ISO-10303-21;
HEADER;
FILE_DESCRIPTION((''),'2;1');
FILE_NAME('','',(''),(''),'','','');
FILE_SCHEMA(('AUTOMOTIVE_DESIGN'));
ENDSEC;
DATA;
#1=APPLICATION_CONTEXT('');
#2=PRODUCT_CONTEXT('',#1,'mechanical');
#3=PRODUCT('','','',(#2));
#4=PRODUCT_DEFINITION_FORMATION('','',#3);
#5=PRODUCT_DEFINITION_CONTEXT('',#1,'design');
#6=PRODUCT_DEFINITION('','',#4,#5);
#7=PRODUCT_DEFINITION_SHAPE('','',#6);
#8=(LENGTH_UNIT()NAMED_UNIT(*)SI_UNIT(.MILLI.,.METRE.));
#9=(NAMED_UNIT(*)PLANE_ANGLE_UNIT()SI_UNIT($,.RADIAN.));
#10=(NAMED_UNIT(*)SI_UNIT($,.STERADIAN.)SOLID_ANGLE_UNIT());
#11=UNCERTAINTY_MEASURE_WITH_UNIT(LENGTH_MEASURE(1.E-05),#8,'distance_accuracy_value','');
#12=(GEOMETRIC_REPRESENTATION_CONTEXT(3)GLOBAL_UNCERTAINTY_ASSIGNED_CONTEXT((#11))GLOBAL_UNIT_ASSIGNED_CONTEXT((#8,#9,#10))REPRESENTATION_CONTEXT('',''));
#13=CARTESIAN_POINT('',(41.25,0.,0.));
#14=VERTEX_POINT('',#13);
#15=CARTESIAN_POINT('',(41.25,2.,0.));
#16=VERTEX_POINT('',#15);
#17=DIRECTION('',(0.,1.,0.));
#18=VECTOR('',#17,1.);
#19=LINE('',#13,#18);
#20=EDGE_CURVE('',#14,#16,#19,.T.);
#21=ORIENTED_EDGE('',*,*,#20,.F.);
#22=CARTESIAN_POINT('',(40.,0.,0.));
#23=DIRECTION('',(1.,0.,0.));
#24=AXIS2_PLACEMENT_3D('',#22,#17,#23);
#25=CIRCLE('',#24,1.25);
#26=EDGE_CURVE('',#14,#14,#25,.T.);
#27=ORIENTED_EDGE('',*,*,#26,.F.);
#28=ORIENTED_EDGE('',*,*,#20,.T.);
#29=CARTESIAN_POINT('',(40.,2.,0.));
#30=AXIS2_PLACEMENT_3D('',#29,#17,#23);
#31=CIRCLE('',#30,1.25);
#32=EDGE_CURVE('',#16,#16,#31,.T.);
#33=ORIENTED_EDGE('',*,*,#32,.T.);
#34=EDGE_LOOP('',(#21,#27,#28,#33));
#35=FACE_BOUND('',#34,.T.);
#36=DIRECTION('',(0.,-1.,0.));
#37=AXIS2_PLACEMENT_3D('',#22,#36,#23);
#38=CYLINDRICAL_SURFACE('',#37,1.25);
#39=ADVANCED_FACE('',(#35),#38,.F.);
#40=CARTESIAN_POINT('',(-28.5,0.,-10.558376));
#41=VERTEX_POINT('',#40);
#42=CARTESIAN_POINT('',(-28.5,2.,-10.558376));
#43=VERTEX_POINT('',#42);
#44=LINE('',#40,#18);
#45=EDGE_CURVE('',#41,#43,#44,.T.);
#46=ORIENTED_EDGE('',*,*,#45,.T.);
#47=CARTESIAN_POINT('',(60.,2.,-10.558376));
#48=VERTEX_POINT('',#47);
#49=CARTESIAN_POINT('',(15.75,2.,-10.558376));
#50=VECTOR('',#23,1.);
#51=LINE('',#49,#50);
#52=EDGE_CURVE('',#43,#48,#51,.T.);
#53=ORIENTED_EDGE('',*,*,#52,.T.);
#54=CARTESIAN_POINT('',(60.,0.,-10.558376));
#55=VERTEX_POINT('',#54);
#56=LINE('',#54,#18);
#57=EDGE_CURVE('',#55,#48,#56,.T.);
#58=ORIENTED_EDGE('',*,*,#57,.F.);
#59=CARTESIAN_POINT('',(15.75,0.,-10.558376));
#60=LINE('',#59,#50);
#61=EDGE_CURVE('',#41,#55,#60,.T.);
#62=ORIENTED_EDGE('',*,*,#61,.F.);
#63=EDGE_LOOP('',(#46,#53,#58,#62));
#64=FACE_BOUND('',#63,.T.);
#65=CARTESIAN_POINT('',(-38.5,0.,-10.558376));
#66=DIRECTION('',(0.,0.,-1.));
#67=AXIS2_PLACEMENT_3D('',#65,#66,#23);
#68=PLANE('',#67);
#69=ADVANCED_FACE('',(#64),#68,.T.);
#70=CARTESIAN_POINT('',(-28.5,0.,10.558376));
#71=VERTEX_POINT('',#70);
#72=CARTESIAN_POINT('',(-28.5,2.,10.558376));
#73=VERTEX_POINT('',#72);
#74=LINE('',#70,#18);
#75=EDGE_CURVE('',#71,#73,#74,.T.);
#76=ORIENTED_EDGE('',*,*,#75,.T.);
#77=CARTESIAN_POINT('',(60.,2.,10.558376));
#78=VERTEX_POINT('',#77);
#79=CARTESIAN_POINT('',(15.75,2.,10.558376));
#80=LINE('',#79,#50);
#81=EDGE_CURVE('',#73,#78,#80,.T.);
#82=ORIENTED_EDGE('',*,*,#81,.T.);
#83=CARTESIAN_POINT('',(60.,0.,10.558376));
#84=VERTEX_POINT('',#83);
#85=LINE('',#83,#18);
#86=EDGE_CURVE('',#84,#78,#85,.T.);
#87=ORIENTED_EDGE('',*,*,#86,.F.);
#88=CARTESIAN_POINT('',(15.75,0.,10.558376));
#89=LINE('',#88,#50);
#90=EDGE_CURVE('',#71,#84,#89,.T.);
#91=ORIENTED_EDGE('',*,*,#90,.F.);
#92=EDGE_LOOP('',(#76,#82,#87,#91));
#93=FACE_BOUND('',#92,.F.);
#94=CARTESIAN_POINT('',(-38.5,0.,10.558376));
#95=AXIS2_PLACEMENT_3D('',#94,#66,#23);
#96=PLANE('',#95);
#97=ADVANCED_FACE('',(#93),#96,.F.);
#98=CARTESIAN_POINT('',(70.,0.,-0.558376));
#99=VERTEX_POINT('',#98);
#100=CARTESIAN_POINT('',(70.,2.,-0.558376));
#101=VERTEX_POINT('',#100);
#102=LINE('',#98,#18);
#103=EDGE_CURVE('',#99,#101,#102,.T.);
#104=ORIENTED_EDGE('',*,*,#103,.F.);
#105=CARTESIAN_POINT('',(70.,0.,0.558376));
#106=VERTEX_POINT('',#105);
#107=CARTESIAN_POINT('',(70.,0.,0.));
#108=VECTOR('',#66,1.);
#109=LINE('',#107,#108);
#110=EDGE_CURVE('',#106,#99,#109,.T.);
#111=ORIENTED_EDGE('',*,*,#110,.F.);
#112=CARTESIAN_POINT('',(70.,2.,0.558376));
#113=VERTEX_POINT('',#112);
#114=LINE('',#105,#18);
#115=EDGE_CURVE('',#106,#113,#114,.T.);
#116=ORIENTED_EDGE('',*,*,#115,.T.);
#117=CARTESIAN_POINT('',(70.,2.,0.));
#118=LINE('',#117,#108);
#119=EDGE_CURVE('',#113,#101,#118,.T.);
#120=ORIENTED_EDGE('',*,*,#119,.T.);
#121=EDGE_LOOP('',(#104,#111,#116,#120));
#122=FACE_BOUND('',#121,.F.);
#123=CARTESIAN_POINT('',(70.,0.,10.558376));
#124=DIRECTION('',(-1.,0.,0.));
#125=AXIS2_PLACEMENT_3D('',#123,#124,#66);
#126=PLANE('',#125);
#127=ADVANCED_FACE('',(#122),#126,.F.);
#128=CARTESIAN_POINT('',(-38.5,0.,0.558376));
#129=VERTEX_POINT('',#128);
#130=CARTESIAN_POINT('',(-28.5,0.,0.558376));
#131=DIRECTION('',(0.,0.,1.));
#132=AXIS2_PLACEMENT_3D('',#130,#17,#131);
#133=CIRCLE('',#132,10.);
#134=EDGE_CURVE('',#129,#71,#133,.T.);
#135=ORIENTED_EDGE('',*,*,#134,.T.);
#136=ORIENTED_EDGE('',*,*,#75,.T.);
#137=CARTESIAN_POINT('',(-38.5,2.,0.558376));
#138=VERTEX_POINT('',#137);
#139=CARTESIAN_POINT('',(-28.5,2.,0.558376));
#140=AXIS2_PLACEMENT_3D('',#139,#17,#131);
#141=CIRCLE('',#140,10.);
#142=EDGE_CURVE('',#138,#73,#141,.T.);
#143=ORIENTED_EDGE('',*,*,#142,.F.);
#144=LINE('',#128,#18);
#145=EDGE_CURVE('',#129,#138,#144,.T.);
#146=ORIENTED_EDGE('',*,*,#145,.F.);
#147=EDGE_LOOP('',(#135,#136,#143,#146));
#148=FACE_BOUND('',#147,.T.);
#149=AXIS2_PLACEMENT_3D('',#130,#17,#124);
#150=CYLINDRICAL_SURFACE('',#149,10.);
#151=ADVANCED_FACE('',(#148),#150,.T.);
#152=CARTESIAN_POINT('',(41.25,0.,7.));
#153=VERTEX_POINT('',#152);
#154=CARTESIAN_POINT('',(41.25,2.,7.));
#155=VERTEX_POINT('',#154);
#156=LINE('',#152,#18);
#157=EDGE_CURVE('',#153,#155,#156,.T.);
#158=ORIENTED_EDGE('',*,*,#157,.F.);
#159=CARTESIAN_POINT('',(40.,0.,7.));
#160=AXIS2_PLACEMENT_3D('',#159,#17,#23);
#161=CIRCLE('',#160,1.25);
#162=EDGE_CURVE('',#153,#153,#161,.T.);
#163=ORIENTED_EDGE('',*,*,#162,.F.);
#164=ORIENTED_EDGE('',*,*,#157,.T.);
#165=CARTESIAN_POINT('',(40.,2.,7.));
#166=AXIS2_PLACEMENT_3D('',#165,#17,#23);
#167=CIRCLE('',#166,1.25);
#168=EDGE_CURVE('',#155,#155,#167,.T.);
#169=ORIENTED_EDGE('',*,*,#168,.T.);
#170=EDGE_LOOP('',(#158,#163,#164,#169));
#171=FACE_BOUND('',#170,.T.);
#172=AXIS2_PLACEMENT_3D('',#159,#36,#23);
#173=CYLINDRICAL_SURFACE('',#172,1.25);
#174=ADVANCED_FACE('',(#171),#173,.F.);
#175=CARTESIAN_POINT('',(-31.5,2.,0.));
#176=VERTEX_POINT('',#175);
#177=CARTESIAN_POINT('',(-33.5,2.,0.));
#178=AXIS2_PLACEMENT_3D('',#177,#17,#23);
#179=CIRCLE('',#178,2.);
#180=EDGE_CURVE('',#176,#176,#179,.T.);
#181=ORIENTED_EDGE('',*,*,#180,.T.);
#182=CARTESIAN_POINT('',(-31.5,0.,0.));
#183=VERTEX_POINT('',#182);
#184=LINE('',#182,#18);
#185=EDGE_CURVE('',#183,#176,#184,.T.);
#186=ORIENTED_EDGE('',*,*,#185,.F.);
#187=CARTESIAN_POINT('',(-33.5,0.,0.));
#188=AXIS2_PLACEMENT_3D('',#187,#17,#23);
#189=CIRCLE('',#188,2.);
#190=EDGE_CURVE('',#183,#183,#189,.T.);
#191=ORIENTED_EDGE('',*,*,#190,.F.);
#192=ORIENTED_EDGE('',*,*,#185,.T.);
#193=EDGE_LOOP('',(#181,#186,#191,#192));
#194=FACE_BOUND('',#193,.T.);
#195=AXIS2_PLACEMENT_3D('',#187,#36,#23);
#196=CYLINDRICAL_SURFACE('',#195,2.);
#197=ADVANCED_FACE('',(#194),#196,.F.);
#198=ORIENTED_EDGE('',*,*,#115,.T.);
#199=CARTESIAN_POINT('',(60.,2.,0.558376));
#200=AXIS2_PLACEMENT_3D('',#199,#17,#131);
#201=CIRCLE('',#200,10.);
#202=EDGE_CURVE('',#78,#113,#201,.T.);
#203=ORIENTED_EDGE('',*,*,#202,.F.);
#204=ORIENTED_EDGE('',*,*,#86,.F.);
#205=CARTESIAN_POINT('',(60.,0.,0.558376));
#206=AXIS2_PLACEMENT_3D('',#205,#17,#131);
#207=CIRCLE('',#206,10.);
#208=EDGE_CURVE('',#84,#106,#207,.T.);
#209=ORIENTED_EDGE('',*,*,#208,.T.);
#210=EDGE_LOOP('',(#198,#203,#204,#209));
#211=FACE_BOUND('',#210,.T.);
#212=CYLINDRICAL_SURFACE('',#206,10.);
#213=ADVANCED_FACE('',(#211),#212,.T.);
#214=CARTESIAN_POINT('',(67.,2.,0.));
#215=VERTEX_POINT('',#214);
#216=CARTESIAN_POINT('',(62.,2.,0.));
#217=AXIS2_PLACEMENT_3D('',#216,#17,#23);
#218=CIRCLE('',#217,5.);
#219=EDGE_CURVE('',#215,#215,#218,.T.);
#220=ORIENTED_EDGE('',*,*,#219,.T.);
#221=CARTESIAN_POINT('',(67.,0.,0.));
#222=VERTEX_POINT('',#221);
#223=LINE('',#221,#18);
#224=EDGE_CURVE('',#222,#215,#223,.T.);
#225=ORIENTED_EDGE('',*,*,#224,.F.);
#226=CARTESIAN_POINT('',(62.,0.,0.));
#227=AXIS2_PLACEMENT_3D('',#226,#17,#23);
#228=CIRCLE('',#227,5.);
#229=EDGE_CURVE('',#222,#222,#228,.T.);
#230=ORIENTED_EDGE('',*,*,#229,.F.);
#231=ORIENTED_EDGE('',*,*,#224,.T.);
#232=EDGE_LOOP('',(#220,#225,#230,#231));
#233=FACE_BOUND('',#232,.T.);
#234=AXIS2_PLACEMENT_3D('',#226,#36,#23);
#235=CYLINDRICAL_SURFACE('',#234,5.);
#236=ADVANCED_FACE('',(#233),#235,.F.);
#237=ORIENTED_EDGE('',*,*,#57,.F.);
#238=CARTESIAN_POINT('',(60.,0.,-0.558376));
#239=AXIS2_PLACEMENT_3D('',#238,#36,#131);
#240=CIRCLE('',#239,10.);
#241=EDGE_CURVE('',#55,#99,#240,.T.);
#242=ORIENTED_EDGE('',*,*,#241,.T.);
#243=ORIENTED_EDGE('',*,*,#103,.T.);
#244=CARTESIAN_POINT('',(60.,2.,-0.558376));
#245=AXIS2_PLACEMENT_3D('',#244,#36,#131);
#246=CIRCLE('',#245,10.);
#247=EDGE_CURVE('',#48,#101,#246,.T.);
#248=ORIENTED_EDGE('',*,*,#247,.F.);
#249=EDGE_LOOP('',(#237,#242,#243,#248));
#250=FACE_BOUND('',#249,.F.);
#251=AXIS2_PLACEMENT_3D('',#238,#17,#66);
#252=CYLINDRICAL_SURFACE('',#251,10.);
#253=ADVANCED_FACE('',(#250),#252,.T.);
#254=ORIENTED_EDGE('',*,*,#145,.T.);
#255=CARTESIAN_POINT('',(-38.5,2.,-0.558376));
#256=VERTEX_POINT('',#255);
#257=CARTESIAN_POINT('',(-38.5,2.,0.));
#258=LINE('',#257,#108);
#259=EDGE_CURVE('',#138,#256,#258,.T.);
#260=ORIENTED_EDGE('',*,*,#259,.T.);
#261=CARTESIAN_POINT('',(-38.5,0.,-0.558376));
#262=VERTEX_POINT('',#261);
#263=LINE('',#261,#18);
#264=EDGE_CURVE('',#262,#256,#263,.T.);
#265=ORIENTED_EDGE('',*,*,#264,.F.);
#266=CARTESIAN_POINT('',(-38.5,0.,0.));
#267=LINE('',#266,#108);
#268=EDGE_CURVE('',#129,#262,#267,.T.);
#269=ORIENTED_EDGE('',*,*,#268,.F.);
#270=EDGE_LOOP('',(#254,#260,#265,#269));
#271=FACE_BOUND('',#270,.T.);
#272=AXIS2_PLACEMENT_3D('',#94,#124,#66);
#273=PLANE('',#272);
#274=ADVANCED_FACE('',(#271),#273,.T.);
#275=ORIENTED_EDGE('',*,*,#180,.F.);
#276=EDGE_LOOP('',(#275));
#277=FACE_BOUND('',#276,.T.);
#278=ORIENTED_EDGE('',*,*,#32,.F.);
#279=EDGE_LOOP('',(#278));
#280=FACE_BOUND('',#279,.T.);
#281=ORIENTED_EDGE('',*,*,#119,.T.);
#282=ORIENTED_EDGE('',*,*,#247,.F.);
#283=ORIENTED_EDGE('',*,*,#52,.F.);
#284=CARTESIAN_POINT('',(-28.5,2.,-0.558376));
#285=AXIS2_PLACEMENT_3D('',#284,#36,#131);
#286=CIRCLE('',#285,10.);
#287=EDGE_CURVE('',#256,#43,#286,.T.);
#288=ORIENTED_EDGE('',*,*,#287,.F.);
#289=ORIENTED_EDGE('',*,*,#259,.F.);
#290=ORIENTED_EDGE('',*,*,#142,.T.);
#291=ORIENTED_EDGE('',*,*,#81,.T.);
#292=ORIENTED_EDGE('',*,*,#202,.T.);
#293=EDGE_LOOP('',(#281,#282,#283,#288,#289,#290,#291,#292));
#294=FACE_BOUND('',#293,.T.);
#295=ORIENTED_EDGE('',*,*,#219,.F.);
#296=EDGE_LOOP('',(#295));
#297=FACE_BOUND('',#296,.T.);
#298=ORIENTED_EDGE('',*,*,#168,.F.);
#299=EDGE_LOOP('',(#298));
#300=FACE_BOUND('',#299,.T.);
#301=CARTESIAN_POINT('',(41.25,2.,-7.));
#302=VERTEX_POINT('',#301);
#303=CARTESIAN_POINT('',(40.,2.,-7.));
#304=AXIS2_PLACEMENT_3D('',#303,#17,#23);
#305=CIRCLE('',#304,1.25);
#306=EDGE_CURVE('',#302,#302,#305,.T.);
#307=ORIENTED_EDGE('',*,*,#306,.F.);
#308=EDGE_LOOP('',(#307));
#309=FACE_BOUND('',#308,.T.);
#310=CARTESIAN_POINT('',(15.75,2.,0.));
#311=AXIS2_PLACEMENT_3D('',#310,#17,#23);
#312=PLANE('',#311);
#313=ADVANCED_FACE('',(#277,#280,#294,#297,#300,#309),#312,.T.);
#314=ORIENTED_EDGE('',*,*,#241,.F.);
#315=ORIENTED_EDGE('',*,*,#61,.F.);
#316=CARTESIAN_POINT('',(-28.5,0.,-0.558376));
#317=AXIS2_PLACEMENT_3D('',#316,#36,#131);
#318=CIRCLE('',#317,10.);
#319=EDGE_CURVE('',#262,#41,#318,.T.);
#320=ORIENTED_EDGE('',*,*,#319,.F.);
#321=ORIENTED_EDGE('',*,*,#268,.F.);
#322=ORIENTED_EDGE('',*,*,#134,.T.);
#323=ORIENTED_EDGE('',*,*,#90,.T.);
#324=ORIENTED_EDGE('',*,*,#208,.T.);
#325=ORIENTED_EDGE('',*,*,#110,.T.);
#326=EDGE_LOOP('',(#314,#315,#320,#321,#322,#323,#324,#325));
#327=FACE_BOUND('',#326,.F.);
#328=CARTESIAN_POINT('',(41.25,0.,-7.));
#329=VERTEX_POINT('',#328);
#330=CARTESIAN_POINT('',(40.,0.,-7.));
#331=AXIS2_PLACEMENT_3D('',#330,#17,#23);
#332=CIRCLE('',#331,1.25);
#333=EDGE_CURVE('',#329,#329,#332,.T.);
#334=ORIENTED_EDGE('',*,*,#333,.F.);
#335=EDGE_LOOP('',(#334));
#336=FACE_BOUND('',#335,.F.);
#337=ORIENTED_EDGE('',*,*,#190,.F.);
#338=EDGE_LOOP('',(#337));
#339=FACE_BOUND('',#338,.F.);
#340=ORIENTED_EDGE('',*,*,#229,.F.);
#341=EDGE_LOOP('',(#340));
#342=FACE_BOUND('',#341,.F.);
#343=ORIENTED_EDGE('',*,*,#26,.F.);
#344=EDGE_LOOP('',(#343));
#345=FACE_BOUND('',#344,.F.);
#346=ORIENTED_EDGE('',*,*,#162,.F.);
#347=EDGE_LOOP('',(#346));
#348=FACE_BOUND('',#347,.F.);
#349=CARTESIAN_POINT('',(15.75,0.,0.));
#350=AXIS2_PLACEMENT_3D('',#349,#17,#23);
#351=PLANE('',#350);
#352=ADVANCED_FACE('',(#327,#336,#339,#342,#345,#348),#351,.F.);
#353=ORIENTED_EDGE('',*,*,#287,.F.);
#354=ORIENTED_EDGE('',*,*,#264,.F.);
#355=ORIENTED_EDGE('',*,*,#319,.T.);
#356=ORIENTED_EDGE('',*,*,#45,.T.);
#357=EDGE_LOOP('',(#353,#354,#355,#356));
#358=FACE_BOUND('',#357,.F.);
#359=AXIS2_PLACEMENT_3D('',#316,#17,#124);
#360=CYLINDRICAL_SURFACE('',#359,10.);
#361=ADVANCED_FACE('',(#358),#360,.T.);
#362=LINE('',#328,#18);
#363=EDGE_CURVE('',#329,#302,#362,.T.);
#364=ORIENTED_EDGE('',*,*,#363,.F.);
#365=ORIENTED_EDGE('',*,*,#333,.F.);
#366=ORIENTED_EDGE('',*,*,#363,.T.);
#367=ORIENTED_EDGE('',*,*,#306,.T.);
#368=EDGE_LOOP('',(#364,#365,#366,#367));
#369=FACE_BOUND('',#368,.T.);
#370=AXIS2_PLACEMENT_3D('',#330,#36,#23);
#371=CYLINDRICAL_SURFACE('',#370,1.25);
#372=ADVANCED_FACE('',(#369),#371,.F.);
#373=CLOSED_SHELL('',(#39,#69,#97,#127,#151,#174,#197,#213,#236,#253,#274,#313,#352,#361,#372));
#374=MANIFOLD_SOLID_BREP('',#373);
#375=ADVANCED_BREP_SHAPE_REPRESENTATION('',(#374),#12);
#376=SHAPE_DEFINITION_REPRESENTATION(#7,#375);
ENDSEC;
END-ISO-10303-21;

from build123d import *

# Parameters (mm, degrees)
SKETCH1_W           = 108.5
SKETCH1_H           = 21.11675127
SKETCH1_R           = 5
SKETCH1_R_2         = 2
SKETCH1_R_3         = 1.25
BOSS_EXTRUDE1_DEPTH = 2
FILLET1_R           = 10


with BuildPart() as part:
    # Sketch1 → Boss-Extrude1 (new body)
    with BuildSketch(Plane(origin=(0, 0, 0), x_dir=(1, 0, 0), z_dir=(0, 1, 0))):
        with Locations((15.75, 0)):
            Rectangle(SKETCH1_W, SKETCH1_H)
        with Locations((62, 0)):
            Circle(SKETCH1_R, mode=Mode.SUBTRACT)
        with Locations((-33.5, 0)):
            Circle(SKETCH1_R_2, mode=Mode.SUBTRACT)
        with Locations((40, 0)):
            Circle(SKETCH1_R_3, mode=Mode.SUBTRACT)
        with Locations((40, 7)):
            Circle(SKETCH1_R_3, mode=Mode.SUBTRACT)
        with Locations((40, -7)):
            Circle(SKETCH1_R_3, mode=Mode.SUBTRACT)
    extrude(amount=BOSS_EXTRUDE1_DEPTH)

    # Fillet1
    fillet1_edges = [part.edges().sort_by_distance(p)[0] for p in [
        (-38.5, 1, -10.558375635),
        (70, 1, -10.558375635),
        (70, 1, 10.558375635),
        (-38.5, 1, 10.558375635),
    ]]
    fillet(fillet1_edges, radius=FILLET1_R)


solid = part.part
